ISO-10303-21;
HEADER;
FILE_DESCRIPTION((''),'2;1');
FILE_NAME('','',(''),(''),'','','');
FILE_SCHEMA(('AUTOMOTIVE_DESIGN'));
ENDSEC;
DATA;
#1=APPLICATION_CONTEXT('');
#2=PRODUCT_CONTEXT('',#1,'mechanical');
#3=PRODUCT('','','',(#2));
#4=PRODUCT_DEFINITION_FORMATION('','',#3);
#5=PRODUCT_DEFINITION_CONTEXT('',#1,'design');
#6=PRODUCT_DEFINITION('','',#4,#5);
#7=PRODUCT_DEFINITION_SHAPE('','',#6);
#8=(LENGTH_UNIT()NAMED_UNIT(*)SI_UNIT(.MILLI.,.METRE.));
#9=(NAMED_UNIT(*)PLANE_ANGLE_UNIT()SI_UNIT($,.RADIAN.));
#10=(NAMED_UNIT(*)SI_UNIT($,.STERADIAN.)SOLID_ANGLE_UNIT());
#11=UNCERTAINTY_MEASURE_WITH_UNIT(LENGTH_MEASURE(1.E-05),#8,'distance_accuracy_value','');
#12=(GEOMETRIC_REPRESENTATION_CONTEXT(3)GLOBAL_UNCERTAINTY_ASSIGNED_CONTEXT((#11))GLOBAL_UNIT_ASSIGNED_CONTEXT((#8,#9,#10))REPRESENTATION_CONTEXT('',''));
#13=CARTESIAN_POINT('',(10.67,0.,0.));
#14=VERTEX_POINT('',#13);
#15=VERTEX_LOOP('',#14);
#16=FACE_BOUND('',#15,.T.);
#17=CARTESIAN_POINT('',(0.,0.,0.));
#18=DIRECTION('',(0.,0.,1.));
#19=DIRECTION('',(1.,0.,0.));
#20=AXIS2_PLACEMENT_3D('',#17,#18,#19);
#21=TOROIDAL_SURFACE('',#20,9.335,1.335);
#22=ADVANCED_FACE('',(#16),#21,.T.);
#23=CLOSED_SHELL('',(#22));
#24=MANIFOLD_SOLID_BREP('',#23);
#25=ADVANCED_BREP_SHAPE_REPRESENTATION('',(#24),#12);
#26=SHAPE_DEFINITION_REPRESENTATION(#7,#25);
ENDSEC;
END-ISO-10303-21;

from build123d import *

# Parameters (mm, degrees)
SKETCH_1_R = 1.335


with BuildPart() as part:
    # Эскиз1 → Повернуть1 (revolve)
    with BuildSketch(Plane(origin=(0, 0, 0), x_dir=(0, 0, -1), z_dir=(1, 0, 0))):
        with Locations((0, 9.335)):
            Circle(SKETCH_1_R)
    revolve(axis=Axis((0, 0, 8.410401669), (0, 0, -1)))


solid = part.part
